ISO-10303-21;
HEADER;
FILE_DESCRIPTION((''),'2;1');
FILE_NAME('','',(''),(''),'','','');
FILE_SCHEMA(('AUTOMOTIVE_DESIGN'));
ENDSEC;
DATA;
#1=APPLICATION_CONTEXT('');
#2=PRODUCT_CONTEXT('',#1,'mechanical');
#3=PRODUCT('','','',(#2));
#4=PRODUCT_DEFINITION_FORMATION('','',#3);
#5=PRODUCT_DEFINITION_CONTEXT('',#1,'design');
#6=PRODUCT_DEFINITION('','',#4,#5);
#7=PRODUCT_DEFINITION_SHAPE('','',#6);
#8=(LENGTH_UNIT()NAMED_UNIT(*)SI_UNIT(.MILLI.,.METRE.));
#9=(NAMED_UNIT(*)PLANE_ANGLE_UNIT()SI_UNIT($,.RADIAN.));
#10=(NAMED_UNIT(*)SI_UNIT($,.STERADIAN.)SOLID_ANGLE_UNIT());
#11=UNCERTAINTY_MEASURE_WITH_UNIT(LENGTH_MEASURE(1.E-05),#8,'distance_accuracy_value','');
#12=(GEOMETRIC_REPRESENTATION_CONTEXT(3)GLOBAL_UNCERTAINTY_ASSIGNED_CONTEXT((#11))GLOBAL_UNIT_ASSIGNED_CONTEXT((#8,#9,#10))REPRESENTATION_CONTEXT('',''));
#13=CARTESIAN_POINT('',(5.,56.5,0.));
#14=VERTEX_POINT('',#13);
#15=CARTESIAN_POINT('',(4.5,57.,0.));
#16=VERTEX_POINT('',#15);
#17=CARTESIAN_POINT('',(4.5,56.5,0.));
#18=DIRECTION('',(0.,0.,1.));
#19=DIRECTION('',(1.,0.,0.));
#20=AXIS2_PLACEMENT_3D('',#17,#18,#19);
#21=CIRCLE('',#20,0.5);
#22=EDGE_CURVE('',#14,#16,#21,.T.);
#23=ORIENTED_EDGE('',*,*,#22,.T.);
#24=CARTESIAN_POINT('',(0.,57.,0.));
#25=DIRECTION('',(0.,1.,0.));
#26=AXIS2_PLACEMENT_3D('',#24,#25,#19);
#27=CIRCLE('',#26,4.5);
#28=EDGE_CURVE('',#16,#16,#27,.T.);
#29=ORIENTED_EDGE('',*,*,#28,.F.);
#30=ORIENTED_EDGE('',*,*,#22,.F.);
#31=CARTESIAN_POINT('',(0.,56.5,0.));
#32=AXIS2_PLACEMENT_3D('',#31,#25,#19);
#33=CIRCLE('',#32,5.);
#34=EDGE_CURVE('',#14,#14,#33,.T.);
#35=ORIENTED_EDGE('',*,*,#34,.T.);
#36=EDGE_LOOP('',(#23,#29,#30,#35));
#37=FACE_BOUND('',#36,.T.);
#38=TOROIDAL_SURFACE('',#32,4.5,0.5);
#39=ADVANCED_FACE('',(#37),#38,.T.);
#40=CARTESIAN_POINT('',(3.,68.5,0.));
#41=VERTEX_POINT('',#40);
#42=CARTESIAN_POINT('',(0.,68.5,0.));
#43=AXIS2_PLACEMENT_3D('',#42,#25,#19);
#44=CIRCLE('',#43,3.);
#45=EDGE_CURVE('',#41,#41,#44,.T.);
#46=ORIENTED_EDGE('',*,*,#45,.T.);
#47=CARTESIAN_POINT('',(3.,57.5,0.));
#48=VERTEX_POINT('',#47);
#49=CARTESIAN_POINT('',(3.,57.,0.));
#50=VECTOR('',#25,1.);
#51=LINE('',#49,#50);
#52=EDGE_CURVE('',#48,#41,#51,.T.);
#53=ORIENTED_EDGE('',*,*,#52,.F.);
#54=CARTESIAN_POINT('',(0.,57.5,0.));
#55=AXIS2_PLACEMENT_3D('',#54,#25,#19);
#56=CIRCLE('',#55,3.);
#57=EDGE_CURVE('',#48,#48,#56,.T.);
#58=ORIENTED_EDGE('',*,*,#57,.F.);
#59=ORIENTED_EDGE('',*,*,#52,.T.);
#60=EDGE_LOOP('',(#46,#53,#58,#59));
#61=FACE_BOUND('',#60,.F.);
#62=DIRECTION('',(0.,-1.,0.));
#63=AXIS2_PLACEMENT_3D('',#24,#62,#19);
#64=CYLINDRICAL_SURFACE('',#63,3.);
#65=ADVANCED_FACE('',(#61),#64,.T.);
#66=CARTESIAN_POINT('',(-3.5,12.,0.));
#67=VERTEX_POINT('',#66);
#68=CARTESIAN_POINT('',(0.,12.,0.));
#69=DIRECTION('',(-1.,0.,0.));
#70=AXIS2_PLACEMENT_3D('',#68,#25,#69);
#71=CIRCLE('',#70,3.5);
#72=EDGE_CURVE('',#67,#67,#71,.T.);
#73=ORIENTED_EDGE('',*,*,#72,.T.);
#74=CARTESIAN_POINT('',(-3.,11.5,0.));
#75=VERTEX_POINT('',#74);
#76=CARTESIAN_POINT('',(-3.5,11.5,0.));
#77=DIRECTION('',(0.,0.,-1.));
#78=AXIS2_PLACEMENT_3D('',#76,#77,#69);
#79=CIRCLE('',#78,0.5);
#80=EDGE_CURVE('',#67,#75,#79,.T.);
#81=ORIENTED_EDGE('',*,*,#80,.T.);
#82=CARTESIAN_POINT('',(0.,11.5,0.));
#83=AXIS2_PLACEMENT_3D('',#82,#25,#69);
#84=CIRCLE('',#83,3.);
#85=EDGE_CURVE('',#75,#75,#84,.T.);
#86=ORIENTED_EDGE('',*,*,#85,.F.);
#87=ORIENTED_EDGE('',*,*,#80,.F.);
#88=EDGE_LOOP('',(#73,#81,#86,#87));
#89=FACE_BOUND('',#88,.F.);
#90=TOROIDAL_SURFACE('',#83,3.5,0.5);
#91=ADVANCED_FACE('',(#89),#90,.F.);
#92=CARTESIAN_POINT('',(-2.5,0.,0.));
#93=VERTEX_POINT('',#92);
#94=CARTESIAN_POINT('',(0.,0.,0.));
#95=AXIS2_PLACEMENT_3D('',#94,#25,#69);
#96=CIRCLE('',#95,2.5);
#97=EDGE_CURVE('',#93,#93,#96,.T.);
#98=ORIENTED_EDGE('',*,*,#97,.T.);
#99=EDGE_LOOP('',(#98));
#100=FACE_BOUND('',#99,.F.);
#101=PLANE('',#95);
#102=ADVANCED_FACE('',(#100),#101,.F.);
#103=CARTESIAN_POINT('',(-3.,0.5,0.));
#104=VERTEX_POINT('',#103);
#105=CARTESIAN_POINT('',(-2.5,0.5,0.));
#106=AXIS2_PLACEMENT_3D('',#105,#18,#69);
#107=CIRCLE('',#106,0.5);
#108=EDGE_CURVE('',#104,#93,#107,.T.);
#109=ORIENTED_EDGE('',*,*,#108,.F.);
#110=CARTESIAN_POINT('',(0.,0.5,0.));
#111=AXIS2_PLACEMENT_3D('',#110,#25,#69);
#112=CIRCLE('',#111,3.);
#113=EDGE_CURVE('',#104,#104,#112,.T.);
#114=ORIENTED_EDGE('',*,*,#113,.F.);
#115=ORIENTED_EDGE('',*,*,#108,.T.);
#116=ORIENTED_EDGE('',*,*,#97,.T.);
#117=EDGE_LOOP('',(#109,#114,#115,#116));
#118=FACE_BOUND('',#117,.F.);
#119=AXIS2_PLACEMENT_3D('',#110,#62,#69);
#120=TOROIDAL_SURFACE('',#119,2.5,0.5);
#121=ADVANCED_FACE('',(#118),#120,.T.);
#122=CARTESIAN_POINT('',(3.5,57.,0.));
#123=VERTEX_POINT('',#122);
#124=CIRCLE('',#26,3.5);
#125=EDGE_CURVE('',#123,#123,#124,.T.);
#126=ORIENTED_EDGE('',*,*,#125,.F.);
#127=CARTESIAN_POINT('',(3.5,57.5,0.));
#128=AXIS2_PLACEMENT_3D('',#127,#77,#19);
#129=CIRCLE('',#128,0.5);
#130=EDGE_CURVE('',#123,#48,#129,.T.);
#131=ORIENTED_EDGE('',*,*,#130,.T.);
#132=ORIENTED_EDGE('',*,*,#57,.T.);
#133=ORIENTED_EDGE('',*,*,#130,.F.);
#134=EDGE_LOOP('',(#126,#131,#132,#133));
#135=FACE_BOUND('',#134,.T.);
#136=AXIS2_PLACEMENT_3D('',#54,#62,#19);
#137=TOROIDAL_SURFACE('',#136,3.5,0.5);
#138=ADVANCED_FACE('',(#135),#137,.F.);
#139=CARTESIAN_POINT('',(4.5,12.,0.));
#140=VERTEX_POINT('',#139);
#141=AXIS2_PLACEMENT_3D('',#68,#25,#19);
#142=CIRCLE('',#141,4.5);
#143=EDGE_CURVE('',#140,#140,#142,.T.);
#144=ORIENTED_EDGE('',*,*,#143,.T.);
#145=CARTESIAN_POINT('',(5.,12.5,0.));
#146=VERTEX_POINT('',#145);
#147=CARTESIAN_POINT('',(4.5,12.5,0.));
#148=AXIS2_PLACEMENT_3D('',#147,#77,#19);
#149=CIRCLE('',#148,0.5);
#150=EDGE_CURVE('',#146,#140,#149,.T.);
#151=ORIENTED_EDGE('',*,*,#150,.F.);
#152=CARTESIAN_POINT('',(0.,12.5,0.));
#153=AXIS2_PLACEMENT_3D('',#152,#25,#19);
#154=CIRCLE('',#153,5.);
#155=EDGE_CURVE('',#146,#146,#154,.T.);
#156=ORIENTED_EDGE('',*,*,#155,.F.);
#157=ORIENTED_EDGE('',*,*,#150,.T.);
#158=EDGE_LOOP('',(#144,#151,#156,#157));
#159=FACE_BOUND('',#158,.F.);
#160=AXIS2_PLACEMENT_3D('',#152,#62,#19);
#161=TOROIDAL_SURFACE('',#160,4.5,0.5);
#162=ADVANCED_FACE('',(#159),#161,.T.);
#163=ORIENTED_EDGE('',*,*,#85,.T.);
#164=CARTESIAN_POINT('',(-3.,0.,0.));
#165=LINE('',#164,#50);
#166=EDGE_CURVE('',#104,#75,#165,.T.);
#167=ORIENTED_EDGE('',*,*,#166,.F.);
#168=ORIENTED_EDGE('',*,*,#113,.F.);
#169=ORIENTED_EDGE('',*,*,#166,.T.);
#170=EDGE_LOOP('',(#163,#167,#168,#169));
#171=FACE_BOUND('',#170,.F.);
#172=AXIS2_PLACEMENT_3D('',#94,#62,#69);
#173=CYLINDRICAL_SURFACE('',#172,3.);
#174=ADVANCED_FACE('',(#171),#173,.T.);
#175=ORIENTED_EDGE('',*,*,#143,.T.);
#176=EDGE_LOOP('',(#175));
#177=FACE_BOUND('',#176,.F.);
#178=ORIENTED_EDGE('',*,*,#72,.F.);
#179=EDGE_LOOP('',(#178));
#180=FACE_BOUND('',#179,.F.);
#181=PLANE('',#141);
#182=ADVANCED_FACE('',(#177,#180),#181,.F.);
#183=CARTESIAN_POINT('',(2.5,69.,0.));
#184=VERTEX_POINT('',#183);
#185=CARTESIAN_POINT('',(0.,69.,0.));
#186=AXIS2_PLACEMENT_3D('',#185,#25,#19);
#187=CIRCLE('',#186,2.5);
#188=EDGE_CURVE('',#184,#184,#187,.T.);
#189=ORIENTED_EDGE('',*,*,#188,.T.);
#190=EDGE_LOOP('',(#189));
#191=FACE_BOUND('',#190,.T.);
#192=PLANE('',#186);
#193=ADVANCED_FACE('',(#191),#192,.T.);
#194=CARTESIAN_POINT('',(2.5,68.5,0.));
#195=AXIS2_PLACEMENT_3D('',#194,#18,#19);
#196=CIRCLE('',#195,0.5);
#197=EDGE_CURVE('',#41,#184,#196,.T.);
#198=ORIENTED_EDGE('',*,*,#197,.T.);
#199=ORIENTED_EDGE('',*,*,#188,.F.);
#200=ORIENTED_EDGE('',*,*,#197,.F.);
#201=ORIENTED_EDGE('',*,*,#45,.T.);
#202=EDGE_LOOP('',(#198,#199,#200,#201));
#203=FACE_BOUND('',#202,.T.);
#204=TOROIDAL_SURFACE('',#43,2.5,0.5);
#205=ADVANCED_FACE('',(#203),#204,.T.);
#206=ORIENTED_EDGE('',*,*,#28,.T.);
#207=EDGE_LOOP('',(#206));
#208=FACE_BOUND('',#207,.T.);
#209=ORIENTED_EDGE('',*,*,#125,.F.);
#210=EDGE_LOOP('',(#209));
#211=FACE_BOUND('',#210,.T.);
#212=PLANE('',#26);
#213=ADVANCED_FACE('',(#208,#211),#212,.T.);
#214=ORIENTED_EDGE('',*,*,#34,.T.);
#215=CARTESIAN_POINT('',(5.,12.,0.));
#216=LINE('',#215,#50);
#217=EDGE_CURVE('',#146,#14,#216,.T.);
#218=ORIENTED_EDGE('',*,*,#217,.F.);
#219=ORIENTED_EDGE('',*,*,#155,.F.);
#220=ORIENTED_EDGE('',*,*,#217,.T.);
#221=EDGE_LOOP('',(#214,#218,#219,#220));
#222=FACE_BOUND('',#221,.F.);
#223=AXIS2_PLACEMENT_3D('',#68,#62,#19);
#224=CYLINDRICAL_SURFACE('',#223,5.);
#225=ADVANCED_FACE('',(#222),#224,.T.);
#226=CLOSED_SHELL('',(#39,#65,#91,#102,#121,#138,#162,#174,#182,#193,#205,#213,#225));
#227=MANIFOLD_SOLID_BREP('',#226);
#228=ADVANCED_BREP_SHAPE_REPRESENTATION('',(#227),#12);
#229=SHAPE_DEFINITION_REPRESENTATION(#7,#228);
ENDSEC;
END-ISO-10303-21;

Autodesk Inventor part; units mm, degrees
ref_plane "YZ Plane" through (0, 0, 0) normal (1, 0, 0) x (0, 1, 0)
ref_plane "XZ Plane" through (0, 0, 0) normal (0, 1, 0) x (-1, 0, 0)
ref_plane "XY Plane" through (0, 0, 0) normal (0, 0, 1) x (1, 0, 0)
sketch "Sketch1" plane through (0, 0, 0) normal (0, 1, 0) x (-1, 0, 0)
  circle A0 centre (0, 0) radius 3
  dimension "d0" = 6
extrude "Extrusion1" add sketch "Sketch1" along normal blind 12
sketch "Sketch2" plane through (0, 12, 0) normal (0, 1, 0) x (1, 0, 0)
  circle A0 centre (0, 0) radius 5
  dimension "d3" = 10
extrude "Extrusion2" add sketch "Sketch2" along normal blind 45
sketch "Sketch3" plane through (0, 57, 0) normal (0, 1, 0) x (1, 0, 0)
  circle A0 centre (0, 0) radius 3
  dimension "d6" = 6
extrude "Extrusion3" add sketch "Sketch3" along normal blind 12
fillet "Fillet1" radius 0.5 6 edges at (-3, 69, 0) (-3, 57, 0) (-5, 57, 0) (-5, 12, 0) (3, 12, 0) (3, 0, 0)
thread "Thread1" size "M6x1" class "6g" standard "ISO Metric profile" full length
properties part number "Z-Abstandhalter"
